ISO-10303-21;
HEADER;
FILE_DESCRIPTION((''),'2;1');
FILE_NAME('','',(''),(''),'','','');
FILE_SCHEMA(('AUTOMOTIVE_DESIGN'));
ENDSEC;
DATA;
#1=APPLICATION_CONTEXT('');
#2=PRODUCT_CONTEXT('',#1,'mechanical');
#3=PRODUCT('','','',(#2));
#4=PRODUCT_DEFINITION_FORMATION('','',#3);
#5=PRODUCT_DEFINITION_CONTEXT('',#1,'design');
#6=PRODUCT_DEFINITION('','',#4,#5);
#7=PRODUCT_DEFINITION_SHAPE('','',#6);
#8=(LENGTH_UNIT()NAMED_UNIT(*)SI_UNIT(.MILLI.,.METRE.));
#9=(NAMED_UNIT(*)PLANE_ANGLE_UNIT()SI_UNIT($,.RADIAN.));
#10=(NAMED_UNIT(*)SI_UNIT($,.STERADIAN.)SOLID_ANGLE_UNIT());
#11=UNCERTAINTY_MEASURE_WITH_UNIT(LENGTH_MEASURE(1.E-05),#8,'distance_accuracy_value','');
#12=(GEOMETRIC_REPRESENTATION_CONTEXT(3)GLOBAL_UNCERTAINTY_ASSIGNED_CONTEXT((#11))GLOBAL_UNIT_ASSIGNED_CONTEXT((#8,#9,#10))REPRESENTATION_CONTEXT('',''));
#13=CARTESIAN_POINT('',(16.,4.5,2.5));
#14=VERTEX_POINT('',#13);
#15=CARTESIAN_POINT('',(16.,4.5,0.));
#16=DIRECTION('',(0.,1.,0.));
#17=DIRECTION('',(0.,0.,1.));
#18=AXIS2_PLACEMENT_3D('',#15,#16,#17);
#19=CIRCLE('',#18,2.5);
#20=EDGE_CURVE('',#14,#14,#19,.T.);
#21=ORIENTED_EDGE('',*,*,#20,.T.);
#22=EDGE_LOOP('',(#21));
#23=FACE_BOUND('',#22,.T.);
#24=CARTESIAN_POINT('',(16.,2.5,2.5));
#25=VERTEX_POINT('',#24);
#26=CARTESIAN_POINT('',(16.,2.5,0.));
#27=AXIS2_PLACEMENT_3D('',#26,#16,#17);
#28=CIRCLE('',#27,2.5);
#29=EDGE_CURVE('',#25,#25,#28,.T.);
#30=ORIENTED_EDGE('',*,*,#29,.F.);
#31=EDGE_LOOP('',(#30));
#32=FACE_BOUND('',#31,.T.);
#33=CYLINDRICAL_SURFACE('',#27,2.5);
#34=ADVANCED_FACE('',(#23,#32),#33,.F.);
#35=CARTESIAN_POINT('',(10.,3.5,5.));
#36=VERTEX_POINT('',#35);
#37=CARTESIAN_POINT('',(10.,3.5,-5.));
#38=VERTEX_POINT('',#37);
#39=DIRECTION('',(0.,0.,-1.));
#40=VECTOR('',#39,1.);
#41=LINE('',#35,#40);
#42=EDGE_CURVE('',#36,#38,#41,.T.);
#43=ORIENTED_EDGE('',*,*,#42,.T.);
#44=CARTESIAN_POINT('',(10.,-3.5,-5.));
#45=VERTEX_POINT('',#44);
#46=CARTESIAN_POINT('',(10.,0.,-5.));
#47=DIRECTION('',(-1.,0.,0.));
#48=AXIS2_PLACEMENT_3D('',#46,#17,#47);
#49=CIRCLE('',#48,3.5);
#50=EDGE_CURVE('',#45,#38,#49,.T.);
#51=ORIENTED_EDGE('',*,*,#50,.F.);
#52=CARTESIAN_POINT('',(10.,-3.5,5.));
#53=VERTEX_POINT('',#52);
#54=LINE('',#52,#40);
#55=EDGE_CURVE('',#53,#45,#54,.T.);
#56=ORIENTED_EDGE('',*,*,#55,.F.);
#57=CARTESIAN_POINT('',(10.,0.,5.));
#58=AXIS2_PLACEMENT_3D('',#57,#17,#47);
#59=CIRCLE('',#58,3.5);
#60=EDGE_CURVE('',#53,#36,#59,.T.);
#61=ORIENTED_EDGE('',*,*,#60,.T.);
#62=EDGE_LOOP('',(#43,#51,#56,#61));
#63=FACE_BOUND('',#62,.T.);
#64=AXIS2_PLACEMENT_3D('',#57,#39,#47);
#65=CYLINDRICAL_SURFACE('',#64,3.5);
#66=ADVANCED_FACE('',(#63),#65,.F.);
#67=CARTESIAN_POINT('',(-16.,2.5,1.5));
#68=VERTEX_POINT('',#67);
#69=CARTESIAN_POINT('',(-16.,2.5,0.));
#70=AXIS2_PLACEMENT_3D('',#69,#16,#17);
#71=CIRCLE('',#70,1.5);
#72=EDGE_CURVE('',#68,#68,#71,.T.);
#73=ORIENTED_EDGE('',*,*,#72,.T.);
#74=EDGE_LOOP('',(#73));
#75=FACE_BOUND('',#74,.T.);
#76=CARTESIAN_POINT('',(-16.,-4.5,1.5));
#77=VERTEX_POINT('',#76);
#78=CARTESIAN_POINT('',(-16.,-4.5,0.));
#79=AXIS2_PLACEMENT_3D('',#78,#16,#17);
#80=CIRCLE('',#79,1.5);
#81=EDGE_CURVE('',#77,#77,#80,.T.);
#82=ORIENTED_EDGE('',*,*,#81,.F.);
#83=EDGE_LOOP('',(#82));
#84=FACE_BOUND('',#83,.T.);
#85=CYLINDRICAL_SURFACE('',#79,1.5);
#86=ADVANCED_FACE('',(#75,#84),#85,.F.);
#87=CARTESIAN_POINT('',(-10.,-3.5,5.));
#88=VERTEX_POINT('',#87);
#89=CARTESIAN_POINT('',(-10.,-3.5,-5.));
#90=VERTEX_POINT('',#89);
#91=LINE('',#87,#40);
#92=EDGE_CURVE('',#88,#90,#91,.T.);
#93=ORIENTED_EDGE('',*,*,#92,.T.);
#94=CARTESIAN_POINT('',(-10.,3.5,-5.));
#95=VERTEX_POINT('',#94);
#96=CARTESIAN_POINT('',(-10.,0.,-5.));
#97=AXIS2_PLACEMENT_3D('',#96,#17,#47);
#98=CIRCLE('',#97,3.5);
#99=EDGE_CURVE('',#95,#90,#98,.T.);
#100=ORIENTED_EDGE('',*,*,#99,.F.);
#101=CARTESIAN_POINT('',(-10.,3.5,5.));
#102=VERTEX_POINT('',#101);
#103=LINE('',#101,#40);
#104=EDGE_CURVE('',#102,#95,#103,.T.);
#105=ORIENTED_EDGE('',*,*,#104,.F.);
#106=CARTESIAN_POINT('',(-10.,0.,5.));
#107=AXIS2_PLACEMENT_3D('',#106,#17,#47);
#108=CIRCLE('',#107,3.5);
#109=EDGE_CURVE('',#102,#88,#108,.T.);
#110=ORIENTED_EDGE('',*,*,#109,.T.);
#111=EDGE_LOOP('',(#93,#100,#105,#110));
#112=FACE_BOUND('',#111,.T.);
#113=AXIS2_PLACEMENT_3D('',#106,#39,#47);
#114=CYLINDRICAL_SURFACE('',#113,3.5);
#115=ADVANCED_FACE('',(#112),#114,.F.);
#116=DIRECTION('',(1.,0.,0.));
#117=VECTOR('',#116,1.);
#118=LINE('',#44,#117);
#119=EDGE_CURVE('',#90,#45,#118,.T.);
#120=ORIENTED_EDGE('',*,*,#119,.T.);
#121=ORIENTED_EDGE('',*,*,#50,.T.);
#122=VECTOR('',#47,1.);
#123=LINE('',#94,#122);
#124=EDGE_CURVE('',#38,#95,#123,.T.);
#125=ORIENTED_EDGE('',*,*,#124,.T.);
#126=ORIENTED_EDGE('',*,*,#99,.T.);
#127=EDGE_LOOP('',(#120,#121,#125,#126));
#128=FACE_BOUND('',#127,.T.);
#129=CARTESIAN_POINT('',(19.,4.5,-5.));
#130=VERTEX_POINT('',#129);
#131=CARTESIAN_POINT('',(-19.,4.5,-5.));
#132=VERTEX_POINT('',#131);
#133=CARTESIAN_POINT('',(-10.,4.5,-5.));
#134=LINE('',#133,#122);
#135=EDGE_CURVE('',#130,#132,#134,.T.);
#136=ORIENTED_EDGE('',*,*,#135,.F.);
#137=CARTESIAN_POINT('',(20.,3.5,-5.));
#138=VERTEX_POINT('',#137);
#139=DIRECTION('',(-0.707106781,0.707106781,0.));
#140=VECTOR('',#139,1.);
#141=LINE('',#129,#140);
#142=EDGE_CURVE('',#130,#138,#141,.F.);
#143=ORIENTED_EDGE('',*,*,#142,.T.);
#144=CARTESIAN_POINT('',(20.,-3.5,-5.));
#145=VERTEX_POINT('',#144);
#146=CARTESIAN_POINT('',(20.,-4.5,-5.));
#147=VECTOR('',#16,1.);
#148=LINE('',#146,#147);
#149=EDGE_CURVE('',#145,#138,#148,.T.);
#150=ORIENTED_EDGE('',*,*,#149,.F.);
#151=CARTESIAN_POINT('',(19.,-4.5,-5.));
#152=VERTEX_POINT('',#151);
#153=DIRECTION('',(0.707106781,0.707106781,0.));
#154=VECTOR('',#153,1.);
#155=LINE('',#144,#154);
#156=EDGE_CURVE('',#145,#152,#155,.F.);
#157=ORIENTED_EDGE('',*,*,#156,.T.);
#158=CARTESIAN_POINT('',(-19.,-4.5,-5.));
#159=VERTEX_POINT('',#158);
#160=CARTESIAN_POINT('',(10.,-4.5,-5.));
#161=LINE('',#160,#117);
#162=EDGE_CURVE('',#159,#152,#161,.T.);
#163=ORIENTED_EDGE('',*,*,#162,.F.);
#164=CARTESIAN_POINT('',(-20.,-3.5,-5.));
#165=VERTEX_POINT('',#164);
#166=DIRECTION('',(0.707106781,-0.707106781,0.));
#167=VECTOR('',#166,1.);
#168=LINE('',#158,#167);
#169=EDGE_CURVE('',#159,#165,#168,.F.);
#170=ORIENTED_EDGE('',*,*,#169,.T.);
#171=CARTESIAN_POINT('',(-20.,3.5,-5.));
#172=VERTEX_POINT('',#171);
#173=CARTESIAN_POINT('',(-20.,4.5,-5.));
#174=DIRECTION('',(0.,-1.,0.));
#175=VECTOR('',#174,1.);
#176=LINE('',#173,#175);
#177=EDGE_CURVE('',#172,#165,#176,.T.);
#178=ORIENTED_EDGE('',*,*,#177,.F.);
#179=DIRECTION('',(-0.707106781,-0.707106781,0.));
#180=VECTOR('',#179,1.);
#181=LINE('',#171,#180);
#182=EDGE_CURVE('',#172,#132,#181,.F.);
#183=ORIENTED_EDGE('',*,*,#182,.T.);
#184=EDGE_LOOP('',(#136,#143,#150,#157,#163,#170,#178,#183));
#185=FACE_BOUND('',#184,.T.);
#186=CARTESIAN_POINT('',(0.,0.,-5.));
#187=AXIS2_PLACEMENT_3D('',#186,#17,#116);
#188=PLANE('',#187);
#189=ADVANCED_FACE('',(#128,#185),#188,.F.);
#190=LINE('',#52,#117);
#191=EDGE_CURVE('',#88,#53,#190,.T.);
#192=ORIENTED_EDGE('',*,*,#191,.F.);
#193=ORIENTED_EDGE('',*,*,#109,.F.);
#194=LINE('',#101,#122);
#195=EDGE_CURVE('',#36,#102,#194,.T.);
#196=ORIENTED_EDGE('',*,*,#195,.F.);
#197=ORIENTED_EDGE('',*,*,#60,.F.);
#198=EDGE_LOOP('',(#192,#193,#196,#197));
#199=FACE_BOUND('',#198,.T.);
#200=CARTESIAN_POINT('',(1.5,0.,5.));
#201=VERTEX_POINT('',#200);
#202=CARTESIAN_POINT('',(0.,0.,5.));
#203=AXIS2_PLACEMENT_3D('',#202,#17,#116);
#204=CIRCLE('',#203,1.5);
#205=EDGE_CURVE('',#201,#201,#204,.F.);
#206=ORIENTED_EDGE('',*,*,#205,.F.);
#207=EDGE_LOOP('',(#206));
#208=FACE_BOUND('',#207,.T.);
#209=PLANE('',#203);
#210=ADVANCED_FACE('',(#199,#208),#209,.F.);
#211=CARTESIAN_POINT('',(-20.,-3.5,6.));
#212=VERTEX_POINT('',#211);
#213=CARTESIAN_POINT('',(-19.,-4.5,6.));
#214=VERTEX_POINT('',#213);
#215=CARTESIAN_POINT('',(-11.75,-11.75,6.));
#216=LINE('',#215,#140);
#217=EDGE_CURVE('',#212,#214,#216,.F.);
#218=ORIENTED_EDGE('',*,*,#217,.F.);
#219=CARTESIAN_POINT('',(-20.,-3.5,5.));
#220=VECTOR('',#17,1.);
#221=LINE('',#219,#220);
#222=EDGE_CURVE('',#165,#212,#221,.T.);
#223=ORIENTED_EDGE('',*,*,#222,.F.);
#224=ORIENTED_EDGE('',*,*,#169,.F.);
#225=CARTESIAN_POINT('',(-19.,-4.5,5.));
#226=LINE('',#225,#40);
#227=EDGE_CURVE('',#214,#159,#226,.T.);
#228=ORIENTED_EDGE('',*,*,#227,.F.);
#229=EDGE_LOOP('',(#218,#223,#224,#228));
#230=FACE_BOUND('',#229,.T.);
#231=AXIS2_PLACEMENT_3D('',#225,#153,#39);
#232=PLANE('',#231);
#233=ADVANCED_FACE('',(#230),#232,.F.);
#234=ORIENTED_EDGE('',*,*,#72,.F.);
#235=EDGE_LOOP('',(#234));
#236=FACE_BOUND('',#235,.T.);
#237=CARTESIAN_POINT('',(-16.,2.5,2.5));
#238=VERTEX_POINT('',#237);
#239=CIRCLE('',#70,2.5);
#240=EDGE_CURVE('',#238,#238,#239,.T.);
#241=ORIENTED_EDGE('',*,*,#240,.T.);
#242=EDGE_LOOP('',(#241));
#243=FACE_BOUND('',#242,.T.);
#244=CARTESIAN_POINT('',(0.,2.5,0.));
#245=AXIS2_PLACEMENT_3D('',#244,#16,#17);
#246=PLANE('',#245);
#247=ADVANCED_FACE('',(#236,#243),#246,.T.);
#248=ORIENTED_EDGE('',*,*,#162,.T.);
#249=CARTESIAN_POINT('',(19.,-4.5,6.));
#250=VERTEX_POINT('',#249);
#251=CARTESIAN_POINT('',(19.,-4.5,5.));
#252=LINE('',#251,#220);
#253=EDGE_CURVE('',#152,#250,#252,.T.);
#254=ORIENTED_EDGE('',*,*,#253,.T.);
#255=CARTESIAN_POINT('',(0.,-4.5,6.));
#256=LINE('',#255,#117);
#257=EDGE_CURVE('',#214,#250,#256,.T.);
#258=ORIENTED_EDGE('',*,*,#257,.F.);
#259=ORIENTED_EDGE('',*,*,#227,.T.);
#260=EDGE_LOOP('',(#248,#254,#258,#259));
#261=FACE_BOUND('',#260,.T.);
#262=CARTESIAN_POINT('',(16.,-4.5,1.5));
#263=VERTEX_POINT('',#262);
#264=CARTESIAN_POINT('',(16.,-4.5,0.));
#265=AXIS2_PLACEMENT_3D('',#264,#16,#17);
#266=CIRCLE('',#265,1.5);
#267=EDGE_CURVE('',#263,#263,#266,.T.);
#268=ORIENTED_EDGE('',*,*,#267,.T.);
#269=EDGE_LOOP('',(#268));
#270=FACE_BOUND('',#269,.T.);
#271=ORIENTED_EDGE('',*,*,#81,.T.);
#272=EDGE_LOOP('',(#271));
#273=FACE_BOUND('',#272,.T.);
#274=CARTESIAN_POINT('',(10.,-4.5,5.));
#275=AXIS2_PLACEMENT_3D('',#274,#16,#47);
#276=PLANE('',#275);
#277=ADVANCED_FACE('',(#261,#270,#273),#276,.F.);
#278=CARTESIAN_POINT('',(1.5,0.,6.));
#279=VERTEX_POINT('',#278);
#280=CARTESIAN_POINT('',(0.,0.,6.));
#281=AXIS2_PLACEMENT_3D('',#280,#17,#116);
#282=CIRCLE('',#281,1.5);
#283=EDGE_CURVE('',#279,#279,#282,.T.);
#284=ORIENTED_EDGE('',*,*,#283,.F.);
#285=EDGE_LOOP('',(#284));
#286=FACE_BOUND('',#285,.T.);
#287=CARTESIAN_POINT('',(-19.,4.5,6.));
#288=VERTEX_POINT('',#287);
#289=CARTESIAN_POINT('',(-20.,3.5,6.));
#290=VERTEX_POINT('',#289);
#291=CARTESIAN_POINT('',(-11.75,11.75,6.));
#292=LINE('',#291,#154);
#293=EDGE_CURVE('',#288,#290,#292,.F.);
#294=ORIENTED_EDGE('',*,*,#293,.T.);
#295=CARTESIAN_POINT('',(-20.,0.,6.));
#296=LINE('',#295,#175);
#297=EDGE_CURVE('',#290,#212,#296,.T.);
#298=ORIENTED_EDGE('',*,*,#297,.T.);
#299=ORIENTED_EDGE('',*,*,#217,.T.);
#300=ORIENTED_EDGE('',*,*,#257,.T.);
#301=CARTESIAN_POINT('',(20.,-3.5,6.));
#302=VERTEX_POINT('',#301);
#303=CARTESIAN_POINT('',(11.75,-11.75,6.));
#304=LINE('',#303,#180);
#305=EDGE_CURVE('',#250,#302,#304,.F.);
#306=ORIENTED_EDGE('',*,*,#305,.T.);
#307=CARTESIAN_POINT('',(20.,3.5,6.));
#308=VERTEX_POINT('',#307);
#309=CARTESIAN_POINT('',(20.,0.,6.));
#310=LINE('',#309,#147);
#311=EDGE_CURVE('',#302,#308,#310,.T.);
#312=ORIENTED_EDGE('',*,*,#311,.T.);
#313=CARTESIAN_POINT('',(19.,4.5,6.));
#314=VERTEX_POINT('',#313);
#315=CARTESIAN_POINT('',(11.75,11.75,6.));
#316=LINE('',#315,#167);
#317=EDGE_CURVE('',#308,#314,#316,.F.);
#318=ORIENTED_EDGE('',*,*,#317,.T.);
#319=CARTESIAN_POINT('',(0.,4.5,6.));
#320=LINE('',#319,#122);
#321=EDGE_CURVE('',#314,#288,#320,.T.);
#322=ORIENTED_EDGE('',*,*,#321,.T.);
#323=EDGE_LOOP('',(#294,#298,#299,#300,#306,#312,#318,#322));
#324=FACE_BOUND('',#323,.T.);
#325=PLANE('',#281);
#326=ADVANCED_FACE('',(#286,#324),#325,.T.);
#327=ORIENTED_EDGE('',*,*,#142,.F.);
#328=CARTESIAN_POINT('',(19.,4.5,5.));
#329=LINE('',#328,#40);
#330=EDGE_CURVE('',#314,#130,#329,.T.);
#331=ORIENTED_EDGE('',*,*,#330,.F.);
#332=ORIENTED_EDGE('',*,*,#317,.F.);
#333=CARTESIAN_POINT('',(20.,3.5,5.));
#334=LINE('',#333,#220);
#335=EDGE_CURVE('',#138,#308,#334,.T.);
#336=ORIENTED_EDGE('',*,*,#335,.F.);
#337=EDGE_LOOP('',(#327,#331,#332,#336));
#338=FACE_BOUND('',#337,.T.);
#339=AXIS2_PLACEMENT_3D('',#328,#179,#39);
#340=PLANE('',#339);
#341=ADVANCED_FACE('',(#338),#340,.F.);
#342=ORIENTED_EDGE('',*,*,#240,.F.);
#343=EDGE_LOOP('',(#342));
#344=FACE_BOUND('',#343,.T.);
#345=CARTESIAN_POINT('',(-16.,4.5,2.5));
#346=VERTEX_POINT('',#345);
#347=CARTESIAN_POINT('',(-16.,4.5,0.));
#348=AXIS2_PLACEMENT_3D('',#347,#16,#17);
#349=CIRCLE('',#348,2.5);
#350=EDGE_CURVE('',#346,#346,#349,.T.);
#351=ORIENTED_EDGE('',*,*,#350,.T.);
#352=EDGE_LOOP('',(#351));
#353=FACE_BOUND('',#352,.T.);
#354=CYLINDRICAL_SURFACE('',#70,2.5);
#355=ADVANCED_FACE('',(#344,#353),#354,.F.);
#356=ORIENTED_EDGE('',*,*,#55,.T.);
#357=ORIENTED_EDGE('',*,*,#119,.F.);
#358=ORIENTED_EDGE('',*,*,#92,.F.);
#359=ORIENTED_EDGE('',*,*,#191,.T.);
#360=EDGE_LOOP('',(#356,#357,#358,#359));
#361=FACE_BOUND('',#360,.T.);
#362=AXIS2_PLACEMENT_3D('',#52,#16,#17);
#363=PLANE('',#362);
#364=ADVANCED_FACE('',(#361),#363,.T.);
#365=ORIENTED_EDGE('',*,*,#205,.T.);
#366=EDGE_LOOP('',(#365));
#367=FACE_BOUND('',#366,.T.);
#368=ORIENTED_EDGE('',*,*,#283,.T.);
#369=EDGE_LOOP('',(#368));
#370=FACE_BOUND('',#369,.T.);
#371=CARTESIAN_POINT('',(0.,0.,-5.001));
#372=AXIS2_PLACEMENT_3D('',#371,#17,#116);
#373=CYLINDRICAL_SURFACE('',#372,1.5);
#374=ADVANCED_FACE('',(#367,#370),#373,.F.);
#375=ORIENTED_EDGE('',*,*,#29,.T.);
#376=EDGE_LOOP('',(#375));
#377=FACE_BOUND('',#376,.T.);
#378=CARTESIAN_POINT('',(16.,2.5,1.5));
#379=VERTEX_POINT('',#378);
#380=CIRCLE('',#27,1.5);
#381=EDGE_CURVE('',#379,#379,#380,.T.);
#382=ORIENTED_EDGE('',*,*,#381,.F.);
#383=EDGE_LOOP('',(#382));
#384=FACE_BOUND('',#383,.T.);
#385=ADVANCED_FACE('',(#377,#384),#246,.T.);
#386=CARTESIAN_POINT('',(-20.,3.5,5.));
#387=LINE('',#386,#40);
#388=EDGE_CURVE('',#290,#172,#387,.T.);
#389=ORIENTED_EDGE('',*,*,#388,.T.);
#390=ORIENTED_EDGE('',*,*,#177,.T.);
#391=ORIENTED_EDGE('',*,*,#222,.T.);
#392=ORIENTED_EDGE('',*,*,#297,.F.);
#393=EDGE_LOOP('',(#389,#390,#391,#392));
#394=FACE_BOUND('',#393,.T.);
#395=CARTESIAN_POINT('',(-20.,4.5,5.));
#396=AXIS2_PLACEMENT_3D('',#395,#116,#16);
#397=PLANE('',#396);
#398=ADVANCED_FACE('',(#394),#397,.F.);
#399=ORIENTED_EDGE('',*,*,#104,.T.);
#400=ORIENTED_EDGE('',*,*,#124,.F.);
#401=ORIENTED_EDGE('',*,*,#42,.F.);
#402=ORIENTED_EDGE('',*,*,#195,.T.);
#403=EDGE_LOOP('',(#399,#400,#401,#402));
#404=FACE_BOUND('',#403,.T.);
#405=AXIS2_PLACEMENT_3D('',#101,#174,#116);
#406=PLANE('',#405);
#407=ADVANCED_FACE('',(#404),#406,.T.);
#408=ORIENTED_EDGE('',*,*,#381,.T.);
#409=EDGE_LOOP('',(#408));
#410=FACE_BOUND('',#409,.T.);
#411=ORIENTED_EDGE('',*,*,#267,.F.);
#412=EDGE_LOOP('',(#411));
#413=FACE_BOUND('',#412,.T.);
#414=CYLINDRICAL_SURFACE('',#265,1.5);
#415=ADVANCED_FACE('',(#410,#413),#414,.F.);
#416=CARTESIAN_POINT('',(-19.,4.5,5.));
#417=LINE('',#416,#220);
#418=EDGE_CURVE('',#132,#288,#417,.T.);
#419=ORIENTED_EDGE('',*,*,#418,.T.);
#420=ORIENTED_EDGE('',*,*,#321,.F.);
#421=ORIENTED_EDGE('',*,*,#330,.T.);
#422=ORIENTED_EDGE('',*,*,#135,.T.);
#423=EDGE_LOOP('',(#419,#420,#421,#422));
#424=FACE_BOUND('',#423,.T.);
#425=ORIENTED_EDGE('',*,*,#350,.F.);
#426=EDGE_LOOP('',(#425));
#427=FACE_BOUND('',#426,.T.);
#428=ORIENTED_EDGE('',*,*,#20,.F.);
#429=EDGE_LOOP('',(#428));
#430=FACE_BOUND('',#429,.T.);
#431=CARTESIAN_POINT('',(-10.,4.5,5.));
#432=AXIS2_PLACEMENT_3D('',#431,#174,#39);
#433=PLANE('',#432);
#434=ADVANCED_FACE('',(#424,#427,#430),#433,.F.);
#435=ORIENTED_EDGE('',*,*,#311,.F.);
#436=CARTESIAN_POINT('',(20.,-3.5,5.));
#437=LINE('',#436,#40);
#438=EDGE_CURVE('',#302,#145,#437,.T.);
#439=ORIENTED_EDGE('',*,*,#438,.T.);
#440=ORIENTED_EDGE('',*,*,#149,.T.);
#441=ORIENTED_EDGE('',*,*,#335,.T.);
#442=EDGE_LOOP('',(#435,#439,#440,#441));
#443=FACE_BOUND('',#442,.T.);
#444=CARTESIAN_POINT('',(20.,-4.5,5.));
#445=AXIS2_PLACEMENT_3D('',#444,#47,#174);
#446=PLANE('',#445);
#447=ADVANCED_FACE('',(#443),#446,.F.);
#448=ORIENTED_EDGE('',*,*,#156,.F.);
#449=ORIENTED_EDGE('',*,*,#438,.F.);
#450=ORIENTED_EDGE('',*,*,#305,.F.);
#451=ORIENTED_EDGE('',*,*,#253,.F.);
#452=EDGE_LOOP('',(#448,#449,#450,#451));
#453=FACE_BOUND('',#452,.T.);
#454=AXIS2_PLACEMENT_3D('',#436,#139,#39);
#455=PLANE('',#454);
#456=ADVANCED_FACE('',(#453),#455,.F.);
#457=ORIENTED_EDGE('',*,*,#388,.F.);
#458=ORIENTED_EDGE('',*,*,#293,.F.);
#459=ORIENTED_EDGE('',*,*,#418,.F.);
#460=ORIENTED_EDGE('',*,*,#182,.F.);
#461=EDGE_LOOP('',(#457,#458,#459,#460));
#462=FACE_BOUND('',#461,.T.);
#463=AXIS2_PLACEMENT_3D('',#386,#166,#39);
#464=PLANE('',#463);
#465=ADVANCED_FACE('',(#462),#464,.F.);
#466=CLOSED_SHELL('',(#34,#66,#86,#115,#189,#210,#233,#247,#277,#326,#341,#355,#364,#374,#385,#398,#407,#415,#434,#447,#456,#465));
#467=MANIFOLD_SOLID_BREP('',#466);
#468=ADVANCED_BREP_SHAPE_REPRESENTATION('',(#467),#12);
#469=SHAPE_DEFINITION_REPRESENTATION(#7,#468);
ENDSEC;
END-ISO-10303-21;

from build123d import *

# Parameters (mm, degrees)
BOSS_EXTRUDE1_DEPTH = 5
BOSS_EXTRUDE2_START = 5
SKETCH2_2_W         = 40
SKETCH2_2_H         = 9
BOSS_EXTRUDE2_DEPTH = 1
CUT_EXTRUDE1_REACH  = 25.265
SKETCH3_R           = 1.5
SKETCH7_R           = 2.5
CUT_EXTRUDE2_DEPTH  = 2
SKETCH7_3_R         = 1.5
CUT_EXTRUDE3_DEPTH  = 23.737634002
CHAMFER1_SIZE       = 1


with BuildPart() as part:
    # Sketch2 → Boss-Extrude1 (new, symmetric)
    with BuildSketch(Plane.XY):
        Polygon((-10, 4.5), (10, 4.5), (20, 4.5), (20, -4.5), (10, -4.5), (-10, -4.5), (-20, -4.5), (-20, 4.5), align=None)
        with BuildLine():
            Line((-10, 3.5), (10, 3.5))
            ThreePointArc((10, 3.5), (13.5, 0), (10, -3.5))
            Line((10, -3.5), (-10, -3.5))
            ThreePointArc((-10, -3.5), (-13.5, 0), (-10, 3.5))
        make_face(mode=Mode.SUBTRACT)
    extrude(amount=BOSS_EXTRUDE1_DEPTH, both=True)

    # Sketch2<2> → Boss-Extrude2 (add)
    with BuildSketch(Plane.XY.offset(BOSS_EXTRUDE2_START)):
        Rectangle(SKETCH2_2_W, SKETCH2_2_H)
    extrude(amount=BOSS_EXTRUDE2_DEPTH)

    # Sketch3 → Cut-Extrude1 (cut, up to next)
    with BuildSketch(Plane.XY.offset(6), mode=Mode.PRIVATE) as cut_extrude1_sk1:
        Circle(SKETCH3_R)
    cut_extrude1_tool1 = extrude(cut_extrude1_sk1.sketch, amount=-CUT_EXTRUDE1_REACH, mode=Mode.PRIVATE) & part.part
    add(cut_extrude1_tool1.solids().sort_by_distance((0, 0, 6))[0], mode=Mode.SUBTRACT)

    # Sketch7 → Cut-Extrude2 (cut)
    with BuildSketch(Plane(origin=(0, 4.5, 0), x_dir=(1, 0, 0), z_dir=(0, 1, 0))):
        with Locations((-16, 0)):
            Circle(SKETCH7_R)
        with Locations((16, 0)):
            Circle(SKETCH7_R)
    extrude(amount=-CUT_EXTRUDE2_DEPTH, mode=Mode.SUBTRACT)

    # Sketch7<3> → Cut-Extrude3 (cut, through all)
    with BuildSketch(Plane(origin=(0, 4.5, 0), x_dir=(1, 0, 0), z_dir=(0, 1, 0))):
        with Locations((-16, 0)):
            Circle(SKETCH7_3_R)
        with Locations((16, 0)):
            Circle(SKETCH7_3_R)
    extrude(amount=-CUT_EXTRUDE3_DEPTH, mode=Mode.SUBTRACT)

    # Chamfer1
    chamfer1_edges = [part.edges().sort_by_distance(p)[0] for p in [
        (-20, -4.5, 0.5),
        (20, -4.5, 0.5),
        (20, 4.5, 0.5),
        (-20, 4.5, 0.5),
    ]]
    chamfer(chamfer1_edges, length=CHAMFER1_SIZE)


solid = part.part
